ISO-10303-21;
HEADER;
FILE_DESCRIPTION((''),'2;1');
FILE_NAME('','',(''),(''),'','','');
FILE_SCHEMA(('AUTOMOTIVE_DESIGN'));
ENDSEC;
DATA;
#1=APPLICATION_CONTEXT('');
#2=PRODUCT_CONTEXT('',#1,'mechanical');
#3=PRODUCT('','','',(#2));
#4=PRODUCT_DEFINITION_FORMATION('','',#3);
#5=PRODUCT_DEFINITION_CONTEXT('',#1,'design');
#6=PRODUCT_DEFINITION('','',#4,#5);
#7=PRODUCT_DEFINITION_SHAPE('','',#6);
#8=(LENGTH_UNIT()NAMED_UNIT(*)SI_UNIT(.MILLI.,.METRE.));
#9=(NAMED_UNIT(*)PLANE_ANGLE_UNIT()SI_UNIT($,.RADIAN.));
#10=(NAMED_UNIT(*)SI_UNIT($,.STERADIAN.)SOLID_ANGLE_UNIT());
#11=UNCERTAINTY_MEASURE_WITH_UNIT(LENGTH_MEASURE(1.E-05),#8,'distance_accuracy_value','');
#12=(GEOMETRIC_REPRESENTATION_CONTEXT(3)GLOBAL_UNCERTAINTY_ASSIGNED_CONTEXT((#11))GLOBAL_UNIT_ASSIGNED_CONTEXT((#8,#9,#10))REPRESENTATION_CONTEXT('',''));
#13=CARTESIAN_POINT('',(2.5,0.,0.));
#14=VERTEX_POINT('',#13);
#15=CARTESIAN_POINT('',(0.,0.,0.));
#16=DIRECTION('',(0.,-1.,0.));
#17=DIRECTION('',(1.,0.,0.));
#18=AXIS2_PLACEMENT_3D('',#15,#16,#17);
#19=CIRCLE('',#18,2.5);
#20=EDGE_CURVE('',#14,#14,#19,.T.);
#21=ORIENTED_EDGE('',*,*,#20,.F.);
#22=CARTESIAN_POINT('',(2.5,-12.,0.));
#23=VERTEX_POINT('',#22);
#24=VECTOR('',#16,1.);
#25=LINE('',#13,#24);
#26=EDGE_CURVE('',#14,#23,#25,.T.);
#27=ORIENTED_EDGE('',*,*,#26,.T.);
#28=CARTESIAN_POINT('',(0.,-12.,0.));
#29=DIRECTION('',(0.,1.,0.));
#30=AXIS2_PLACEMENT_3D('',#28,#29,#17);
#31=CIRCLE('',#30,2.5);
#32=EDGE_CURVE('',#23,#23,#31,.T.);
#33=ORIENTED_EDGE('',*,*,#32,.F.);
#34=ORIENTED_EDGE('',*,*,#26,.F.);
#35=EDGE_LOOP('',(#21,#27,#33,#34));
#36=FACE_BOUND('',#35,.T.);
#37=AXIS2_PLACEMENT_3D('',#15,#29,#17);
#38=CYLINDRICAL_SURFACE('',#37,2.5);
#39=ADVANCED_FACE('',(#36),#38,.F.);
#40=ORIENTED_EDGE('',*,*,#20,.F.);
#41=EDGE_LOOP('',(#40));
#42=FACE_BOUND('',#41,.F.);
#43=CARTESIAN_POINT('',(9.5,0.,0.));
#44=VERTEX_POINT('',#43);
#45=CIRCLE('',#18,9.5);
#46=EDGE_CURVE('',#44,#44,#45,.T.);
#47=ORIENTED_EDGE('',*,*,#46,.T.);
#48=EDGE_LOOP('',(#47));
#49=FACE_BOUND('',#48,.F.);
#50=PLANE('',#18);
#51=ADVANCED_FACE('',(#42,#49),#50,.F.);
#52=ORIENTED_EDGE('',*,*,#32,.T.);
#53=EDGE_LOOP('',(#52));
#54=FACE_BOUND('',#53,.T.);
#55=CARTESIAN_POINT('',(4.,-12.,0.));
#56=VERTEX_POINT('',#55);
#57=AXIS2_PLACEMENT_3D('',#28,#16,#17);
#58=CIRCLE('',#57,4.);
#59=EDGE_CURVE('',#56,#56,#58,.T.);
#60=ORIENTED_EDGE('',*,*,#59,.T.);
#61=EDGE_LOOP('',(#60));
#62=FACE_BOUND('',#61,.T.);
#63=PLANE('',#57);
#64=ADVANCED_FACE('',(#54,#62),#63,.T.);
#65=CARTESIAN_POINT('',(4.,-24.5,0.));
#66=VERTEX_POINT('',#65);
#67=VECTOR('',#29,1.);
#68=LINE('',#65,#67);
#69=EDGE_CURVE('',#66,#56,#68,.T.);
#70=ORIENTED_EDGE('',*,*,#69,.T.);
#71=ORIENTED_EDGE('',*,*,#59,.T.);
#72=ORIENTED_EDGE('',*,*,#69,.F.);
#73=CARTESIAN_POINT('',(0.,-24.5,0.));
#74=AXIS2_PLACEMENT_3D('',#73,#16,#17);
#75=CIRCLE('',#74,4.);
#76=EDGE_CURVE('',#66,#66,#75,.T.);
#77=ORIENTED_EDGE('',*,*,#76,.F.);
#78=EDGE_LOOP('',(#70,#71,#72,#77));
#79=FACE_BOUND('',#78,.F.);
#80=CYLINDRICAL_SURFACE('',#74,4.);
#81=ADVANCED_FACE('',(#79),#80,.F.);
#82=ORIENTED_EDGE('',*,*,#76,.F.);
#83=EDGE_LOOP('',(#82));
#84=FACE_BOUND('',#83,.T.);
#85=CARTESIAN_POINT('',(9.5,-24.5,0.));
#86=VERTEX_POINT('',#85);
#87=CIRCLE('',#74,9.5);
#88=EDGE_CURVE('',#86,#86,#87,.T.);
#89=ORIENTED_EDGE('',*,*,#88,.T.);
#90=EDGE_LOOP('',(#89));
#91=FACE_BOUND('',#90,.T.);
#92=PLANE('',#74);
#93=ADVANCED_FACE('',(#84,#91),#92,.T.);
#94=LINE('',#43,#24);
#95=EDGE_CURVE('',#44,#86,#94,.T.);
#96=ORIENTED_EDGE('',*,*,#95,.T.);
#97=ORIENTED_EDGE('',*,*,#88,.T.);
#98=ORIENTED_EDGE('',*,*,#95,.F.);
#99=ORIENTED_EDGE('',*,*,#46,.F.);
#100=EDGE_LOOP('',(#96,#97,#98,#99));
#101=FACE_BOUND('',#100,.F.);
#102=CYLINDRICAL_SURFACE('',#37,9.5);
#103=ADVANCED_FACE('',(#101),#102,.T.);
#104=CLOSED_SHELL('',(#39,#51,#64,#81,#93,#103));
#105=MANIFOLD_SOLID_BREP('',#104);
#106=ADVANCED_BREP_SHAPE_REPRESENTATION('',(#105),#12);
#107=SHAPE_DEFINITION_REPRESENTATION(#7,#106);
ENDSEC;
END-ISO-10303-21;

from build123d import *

# Parameters (mm, degrees)
F0_R     = 9.5
F0_R_2   = 2.5
F1_DEPTH = 24.5
F2_R     = 4
F3_DEPTH = 12.5


with BuildPart() as f1:
    # F0 (on Front) → F1 (new body)
    with BuildSketch(Plane.XZ):
        Circle(F0_R)
        Circle(F0_R_2, mode=Mode.SUBTRACT)
    extrude(amount=F1_DEPTH)

    # F2 (on face) → F3 (cut)
    with BuildSketch(Plane.XZ.offset(24.5)):
        Circle(F2_R)
    extrude(amount=-F3_DEPTH, mode=Mode.SUBTRACT)


solid = f1.part
